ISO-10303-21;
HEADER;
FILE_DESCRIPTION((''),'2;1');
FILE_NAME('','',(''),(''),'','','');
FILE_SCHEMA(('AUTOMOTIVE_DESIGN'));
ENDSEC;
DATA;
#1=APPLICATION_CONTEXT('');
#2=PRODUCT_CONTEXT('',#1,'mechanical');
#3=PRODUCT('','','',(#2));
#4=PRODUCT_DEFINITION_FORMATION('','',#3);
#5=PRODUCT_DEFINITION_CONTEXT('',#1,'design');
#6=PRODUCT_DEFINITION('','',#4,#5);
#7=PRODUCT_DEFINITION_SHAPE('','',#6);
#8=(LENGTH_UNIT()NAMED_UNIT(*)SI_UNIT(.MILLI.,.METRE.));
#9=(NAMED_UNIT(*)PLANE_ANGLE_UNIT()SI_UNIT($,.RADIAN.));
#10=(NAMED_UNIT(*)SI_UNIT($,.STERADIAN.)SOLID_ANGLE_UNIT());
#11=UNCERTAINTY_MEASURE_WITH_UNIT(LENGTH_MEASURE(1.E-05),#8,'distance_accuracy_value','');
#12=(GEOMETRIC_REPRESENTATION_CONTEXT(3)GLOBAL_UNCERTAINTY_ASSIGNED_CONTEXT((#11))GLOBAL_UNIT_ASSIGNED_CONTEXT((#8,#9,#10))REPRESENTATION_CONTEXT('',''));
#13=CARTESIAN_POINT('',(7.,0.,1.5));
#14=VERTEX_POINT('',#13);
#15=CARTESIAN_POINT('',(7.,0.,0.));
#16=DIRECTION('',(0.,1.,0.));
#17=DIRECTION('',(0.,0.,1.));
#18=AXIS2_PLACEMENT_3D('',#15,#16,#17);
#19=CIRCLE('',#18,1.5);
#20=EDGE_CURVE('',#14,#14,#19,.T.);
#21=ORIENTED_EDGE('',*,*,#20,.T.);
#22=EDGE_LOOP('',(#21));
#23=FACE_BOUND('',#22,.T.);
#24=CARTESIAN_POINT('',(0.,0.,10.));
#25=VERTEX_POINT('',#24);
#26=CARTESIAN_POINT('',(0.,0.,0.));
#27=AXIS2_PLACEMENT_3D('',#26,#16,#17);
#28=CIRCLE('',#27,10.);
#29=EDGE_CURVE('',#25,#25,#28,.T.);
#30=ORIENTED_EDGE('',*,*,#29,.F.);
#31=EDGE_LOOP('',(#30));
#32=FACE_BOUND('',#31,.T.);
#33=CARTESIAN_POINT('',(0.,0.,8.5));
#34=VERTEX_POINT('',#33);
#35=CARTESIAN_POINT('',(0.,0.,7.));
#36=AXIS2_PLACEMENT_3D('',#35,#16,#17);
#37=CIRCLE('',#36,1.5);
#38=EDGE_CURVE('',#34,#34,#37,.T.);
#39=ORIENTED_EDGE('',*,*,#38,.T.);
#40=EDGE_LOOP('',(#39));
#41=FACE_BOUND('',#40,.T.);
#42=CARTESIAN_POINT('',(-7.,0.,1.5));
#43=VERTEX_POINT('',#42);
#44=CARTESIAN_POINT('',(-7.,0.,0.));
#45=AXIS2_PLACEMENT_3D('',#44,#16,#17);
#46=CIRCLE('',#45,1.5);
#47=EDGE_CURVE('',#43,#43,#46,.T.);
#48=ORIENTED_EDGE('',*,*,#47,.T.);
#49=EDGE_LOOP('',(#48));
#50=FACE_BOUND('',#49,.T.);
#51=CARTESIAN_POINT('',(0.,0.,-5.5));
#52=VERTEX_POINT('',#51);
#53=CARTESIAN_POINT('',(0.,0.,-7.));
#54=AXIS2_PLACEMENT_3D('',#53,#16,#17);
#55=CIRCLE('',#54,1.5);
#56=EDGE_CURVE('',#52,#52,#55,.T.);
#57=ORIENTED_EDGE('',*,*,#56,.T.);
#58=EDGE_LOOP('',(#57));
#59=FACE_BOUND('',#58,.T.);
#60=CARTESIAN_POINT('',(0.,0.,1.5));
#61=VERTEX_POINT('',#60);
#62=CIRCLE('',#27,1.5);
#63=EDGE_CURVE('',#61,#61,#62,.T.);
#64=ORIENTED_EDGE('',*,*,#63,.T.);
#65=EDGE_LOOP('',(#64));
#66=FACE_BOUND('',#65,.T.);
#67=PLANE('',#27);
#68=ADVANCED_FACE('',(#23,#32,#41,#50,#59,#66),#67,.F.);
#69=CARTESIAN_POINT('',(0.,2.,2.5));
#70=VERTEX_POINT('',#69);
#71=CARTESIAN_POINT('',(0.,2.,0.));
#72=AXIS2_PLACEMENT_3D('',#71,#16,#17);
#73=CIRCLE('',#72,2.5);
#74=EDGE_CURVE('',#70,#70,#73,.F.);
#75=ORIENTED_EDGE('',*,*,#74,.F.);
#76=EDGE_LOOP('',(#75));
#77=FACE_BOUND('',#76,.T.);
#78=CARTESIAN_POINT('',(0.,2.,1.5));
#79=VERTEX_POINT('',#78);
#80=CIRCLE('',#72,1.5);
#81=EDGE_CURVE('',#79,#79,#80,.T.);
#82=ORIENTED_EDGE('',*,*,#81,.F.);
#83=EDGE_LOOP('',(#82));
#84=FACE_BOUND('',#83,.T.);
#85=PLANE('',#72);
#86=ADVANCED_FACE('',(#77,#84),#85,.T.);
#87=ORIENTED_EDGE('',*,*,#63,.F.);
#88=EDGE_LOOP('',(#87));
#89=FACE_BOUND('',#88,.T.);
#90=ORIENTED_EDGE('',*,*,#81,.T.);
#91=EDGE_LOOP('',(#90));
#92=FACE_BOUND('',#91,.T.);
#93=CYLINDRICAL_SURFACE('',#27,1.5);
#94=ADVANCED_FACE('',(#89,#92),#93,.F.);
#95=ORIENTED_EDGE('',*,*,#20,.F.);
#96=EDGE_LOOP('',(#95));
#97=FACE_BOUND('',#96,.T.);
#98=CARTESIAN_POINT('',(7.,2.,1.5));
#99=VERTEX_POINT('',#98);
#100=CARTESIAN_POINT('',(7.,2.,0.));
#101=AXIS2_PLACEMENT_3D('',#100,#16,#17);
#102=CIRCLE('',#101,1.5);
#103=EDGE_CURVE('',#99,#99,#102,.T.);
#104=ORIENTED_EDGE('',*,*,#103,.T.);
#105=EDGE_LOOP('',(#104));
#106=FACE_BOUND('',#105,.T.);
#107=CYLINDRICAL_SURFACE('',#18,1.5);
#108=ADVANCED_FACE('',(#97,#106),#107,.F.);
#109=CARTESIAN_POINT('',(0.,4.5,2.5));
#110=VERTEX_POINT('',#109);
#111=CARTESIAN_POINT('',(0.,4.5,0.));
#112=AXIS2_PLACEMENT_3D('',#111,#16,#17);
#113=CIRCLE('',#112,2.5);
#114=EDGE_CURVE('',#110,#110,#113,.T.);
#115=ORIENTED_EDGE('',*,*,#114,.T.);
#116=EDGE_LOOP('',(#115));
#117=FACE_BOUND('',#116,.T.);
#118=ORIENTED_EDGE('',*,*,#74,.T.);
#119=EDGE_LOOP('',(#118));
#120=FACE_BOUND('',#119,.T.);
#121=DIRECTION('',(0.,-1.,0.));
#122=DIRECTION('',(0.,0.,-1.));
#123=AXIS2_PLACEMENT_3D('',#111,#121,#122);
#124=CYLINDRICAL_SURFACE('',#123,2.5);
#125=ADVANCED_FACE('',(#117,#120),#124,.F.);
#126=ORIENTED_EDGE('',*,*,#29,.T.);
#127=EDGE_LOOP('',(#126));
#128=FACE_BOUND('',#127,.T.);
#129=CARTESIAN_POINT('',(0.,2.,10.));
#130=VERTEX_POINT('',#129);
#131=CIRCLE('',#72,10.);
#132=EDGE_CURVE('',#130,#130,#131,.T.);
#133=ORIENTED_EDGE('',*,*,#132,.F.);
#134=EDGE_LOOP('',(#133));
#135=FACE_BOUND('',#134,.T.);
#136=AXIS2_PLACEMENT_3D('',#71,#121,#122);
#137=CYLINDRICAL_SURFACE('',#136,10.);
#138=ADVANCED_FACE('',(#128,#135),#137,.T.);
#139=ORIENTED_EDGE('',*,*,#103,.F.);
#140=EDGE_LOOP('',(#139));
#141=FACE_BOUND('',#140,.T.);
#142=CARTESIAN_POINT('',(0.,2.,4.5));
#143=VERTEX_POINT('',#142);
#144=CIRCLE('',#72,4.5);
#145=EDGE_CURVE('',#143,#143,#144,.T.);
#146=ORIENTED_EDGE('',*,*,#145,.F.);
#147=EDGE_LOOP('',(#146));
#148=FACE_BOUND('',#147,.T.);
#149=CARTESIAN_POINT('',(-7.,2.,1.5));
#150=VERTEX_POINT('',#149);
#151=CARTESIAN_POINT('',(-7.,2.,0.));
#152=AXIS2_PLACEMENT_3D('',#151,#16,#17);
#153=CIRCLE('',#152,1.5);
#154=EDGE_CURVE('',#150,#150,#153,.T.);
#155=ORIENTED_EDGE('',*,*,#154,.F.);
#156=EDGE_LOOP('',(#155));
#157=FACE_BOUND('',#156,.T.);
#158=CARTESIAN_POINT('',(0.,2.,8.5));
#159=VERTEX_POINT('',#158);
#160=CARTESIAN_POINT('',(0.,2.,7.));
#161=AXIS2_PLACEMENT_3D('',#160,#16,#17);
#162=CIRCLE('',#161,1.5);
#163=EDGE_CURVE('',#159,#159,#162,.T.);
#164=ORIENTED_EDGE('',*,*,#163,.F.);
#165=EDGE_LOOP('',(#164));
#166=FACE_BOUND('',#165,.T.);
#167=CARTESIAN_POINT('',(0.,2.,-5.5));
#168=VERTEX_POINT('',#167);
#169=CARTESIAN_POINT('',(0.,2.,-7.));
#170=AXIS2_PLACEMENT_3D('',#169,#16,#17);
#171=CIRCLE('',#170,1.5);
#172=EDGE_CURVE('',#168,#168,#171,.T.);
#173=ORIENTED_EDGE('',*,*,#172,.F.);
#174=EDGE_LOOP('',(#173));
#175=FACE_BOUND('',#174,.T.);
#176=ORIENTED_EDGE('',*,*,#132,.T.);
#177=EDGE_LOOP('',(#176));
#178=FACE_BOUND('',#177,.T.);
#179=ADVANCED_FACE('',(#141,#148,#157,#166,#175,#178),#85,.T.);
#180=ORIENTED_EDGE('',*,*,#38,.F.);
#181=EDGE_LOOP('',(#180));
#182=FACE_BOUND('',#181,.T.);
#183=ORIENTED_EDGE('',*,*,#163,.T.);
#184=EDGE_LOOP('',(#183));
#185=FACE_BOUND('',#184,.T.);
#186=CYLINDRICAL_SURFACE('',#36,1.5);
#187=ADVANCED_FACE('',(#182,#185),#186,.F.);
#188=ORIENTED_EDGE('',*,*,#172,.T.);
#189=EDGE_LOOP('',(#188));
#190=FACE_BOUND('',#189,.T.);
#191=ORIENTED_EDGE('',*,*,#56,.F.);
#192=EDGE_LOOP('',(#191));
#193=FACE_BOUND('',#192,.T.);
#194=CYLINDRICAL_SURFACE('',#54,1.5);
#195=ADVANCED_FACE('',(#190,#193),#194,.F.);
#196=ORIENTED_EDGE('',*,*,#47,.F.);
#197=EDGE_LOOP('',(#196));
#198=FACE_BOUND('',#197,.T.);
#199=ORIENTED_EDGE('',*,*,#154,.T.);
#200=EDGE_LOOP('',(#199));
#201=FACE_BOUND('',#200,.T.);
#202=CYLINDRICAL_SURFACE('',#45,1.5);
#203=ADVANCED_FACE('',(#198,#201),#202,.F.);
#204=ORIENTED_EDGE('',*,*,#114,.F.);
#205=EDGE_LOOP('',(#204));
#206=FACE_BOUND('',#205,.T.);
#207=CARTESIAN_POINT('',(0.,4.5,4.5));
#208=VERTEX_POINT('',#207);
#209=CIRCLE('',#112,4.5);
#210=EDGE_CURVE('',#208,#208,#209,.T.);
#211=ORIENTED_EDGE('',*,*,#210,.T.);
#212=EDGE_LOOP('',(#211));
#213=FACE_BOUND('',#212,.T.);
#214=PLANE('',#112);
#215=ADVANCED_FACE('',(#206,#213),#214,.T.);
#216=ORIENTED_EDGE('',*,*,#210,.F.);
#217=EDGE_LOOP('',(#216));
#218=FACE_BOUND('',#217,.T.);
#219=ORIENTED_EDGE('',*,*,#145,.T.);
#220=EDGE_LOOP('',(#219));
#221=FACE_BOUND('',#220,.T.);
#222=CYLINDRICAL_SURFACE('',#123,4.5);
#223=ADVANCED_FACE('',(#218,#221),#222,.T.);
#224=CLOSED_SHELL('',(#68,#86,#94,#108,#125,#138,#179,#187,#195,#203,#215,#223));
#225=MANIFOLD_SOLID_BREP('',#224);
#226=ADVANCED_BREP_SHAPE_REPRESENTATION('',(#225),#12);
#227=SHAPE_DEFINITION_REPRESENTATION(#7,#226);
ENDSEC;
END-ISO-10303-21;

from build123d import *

# Parameters (mm, degrees)
SKETCH_1_R          = 10
EXTRUDE_1_DEPTH     = 2
SKETCH_2_R          = 1.5
CUT_EXTRUDE_1_DEPTH = 2
SKETCH_3_R          = 4.5
SKETCH_3_R_2        = 2.5
EXTRUDE_2_DEPTH     = 2.5


with BuildPart() as part:
    # 草图1 → 凸台-拉伸1 (new body)
    with BuildSketch(Plane(origin=(0, 0, 0), x_dir=(1, 0, 0), z_dir=(0, 1, 0))):
        Circle(SKETCH_1_R)
    extrude(amount=EXTRUDE_1_DEPTH)

    # 草图2 → 切除-拉伸1 (cut)
    with BuildSketch(Plane(origin=(0, 2, 0), x_dir=(1, 0, 0), z_dir=(0, 1, 0))):
        Circle(SKETCH_2_R)
        with Locations((0, 7)):
            Circle(SKETCH_2_R)
        with Locations((7, 0)):
            Circle(SKETCH_2_R)
        with Locations((0, -7)):
            Circle(SKETCH_2_R)
        with Locations((-7, 0)):
            Circle(SKETCH_2_R)
    extrude(amount=-CUT_EXTRUDE_1_DEPTH, mode=Mode.SUBTRACT)

    # 草图3 → 凸台-拉伸2 (add)
    with BuildSketch(Plane(origin=(0, 2, 0), x_dir=(1, 0, 0), z_dir=(0, 1, 0))):
        Circle(SKETCH_3_R)
        Circle(SKETCH_3_R_2, mode=Mode.SUBTRACT)
    extrude(amount=EXTRUDE_2_DEPTH)


solid = part.part
